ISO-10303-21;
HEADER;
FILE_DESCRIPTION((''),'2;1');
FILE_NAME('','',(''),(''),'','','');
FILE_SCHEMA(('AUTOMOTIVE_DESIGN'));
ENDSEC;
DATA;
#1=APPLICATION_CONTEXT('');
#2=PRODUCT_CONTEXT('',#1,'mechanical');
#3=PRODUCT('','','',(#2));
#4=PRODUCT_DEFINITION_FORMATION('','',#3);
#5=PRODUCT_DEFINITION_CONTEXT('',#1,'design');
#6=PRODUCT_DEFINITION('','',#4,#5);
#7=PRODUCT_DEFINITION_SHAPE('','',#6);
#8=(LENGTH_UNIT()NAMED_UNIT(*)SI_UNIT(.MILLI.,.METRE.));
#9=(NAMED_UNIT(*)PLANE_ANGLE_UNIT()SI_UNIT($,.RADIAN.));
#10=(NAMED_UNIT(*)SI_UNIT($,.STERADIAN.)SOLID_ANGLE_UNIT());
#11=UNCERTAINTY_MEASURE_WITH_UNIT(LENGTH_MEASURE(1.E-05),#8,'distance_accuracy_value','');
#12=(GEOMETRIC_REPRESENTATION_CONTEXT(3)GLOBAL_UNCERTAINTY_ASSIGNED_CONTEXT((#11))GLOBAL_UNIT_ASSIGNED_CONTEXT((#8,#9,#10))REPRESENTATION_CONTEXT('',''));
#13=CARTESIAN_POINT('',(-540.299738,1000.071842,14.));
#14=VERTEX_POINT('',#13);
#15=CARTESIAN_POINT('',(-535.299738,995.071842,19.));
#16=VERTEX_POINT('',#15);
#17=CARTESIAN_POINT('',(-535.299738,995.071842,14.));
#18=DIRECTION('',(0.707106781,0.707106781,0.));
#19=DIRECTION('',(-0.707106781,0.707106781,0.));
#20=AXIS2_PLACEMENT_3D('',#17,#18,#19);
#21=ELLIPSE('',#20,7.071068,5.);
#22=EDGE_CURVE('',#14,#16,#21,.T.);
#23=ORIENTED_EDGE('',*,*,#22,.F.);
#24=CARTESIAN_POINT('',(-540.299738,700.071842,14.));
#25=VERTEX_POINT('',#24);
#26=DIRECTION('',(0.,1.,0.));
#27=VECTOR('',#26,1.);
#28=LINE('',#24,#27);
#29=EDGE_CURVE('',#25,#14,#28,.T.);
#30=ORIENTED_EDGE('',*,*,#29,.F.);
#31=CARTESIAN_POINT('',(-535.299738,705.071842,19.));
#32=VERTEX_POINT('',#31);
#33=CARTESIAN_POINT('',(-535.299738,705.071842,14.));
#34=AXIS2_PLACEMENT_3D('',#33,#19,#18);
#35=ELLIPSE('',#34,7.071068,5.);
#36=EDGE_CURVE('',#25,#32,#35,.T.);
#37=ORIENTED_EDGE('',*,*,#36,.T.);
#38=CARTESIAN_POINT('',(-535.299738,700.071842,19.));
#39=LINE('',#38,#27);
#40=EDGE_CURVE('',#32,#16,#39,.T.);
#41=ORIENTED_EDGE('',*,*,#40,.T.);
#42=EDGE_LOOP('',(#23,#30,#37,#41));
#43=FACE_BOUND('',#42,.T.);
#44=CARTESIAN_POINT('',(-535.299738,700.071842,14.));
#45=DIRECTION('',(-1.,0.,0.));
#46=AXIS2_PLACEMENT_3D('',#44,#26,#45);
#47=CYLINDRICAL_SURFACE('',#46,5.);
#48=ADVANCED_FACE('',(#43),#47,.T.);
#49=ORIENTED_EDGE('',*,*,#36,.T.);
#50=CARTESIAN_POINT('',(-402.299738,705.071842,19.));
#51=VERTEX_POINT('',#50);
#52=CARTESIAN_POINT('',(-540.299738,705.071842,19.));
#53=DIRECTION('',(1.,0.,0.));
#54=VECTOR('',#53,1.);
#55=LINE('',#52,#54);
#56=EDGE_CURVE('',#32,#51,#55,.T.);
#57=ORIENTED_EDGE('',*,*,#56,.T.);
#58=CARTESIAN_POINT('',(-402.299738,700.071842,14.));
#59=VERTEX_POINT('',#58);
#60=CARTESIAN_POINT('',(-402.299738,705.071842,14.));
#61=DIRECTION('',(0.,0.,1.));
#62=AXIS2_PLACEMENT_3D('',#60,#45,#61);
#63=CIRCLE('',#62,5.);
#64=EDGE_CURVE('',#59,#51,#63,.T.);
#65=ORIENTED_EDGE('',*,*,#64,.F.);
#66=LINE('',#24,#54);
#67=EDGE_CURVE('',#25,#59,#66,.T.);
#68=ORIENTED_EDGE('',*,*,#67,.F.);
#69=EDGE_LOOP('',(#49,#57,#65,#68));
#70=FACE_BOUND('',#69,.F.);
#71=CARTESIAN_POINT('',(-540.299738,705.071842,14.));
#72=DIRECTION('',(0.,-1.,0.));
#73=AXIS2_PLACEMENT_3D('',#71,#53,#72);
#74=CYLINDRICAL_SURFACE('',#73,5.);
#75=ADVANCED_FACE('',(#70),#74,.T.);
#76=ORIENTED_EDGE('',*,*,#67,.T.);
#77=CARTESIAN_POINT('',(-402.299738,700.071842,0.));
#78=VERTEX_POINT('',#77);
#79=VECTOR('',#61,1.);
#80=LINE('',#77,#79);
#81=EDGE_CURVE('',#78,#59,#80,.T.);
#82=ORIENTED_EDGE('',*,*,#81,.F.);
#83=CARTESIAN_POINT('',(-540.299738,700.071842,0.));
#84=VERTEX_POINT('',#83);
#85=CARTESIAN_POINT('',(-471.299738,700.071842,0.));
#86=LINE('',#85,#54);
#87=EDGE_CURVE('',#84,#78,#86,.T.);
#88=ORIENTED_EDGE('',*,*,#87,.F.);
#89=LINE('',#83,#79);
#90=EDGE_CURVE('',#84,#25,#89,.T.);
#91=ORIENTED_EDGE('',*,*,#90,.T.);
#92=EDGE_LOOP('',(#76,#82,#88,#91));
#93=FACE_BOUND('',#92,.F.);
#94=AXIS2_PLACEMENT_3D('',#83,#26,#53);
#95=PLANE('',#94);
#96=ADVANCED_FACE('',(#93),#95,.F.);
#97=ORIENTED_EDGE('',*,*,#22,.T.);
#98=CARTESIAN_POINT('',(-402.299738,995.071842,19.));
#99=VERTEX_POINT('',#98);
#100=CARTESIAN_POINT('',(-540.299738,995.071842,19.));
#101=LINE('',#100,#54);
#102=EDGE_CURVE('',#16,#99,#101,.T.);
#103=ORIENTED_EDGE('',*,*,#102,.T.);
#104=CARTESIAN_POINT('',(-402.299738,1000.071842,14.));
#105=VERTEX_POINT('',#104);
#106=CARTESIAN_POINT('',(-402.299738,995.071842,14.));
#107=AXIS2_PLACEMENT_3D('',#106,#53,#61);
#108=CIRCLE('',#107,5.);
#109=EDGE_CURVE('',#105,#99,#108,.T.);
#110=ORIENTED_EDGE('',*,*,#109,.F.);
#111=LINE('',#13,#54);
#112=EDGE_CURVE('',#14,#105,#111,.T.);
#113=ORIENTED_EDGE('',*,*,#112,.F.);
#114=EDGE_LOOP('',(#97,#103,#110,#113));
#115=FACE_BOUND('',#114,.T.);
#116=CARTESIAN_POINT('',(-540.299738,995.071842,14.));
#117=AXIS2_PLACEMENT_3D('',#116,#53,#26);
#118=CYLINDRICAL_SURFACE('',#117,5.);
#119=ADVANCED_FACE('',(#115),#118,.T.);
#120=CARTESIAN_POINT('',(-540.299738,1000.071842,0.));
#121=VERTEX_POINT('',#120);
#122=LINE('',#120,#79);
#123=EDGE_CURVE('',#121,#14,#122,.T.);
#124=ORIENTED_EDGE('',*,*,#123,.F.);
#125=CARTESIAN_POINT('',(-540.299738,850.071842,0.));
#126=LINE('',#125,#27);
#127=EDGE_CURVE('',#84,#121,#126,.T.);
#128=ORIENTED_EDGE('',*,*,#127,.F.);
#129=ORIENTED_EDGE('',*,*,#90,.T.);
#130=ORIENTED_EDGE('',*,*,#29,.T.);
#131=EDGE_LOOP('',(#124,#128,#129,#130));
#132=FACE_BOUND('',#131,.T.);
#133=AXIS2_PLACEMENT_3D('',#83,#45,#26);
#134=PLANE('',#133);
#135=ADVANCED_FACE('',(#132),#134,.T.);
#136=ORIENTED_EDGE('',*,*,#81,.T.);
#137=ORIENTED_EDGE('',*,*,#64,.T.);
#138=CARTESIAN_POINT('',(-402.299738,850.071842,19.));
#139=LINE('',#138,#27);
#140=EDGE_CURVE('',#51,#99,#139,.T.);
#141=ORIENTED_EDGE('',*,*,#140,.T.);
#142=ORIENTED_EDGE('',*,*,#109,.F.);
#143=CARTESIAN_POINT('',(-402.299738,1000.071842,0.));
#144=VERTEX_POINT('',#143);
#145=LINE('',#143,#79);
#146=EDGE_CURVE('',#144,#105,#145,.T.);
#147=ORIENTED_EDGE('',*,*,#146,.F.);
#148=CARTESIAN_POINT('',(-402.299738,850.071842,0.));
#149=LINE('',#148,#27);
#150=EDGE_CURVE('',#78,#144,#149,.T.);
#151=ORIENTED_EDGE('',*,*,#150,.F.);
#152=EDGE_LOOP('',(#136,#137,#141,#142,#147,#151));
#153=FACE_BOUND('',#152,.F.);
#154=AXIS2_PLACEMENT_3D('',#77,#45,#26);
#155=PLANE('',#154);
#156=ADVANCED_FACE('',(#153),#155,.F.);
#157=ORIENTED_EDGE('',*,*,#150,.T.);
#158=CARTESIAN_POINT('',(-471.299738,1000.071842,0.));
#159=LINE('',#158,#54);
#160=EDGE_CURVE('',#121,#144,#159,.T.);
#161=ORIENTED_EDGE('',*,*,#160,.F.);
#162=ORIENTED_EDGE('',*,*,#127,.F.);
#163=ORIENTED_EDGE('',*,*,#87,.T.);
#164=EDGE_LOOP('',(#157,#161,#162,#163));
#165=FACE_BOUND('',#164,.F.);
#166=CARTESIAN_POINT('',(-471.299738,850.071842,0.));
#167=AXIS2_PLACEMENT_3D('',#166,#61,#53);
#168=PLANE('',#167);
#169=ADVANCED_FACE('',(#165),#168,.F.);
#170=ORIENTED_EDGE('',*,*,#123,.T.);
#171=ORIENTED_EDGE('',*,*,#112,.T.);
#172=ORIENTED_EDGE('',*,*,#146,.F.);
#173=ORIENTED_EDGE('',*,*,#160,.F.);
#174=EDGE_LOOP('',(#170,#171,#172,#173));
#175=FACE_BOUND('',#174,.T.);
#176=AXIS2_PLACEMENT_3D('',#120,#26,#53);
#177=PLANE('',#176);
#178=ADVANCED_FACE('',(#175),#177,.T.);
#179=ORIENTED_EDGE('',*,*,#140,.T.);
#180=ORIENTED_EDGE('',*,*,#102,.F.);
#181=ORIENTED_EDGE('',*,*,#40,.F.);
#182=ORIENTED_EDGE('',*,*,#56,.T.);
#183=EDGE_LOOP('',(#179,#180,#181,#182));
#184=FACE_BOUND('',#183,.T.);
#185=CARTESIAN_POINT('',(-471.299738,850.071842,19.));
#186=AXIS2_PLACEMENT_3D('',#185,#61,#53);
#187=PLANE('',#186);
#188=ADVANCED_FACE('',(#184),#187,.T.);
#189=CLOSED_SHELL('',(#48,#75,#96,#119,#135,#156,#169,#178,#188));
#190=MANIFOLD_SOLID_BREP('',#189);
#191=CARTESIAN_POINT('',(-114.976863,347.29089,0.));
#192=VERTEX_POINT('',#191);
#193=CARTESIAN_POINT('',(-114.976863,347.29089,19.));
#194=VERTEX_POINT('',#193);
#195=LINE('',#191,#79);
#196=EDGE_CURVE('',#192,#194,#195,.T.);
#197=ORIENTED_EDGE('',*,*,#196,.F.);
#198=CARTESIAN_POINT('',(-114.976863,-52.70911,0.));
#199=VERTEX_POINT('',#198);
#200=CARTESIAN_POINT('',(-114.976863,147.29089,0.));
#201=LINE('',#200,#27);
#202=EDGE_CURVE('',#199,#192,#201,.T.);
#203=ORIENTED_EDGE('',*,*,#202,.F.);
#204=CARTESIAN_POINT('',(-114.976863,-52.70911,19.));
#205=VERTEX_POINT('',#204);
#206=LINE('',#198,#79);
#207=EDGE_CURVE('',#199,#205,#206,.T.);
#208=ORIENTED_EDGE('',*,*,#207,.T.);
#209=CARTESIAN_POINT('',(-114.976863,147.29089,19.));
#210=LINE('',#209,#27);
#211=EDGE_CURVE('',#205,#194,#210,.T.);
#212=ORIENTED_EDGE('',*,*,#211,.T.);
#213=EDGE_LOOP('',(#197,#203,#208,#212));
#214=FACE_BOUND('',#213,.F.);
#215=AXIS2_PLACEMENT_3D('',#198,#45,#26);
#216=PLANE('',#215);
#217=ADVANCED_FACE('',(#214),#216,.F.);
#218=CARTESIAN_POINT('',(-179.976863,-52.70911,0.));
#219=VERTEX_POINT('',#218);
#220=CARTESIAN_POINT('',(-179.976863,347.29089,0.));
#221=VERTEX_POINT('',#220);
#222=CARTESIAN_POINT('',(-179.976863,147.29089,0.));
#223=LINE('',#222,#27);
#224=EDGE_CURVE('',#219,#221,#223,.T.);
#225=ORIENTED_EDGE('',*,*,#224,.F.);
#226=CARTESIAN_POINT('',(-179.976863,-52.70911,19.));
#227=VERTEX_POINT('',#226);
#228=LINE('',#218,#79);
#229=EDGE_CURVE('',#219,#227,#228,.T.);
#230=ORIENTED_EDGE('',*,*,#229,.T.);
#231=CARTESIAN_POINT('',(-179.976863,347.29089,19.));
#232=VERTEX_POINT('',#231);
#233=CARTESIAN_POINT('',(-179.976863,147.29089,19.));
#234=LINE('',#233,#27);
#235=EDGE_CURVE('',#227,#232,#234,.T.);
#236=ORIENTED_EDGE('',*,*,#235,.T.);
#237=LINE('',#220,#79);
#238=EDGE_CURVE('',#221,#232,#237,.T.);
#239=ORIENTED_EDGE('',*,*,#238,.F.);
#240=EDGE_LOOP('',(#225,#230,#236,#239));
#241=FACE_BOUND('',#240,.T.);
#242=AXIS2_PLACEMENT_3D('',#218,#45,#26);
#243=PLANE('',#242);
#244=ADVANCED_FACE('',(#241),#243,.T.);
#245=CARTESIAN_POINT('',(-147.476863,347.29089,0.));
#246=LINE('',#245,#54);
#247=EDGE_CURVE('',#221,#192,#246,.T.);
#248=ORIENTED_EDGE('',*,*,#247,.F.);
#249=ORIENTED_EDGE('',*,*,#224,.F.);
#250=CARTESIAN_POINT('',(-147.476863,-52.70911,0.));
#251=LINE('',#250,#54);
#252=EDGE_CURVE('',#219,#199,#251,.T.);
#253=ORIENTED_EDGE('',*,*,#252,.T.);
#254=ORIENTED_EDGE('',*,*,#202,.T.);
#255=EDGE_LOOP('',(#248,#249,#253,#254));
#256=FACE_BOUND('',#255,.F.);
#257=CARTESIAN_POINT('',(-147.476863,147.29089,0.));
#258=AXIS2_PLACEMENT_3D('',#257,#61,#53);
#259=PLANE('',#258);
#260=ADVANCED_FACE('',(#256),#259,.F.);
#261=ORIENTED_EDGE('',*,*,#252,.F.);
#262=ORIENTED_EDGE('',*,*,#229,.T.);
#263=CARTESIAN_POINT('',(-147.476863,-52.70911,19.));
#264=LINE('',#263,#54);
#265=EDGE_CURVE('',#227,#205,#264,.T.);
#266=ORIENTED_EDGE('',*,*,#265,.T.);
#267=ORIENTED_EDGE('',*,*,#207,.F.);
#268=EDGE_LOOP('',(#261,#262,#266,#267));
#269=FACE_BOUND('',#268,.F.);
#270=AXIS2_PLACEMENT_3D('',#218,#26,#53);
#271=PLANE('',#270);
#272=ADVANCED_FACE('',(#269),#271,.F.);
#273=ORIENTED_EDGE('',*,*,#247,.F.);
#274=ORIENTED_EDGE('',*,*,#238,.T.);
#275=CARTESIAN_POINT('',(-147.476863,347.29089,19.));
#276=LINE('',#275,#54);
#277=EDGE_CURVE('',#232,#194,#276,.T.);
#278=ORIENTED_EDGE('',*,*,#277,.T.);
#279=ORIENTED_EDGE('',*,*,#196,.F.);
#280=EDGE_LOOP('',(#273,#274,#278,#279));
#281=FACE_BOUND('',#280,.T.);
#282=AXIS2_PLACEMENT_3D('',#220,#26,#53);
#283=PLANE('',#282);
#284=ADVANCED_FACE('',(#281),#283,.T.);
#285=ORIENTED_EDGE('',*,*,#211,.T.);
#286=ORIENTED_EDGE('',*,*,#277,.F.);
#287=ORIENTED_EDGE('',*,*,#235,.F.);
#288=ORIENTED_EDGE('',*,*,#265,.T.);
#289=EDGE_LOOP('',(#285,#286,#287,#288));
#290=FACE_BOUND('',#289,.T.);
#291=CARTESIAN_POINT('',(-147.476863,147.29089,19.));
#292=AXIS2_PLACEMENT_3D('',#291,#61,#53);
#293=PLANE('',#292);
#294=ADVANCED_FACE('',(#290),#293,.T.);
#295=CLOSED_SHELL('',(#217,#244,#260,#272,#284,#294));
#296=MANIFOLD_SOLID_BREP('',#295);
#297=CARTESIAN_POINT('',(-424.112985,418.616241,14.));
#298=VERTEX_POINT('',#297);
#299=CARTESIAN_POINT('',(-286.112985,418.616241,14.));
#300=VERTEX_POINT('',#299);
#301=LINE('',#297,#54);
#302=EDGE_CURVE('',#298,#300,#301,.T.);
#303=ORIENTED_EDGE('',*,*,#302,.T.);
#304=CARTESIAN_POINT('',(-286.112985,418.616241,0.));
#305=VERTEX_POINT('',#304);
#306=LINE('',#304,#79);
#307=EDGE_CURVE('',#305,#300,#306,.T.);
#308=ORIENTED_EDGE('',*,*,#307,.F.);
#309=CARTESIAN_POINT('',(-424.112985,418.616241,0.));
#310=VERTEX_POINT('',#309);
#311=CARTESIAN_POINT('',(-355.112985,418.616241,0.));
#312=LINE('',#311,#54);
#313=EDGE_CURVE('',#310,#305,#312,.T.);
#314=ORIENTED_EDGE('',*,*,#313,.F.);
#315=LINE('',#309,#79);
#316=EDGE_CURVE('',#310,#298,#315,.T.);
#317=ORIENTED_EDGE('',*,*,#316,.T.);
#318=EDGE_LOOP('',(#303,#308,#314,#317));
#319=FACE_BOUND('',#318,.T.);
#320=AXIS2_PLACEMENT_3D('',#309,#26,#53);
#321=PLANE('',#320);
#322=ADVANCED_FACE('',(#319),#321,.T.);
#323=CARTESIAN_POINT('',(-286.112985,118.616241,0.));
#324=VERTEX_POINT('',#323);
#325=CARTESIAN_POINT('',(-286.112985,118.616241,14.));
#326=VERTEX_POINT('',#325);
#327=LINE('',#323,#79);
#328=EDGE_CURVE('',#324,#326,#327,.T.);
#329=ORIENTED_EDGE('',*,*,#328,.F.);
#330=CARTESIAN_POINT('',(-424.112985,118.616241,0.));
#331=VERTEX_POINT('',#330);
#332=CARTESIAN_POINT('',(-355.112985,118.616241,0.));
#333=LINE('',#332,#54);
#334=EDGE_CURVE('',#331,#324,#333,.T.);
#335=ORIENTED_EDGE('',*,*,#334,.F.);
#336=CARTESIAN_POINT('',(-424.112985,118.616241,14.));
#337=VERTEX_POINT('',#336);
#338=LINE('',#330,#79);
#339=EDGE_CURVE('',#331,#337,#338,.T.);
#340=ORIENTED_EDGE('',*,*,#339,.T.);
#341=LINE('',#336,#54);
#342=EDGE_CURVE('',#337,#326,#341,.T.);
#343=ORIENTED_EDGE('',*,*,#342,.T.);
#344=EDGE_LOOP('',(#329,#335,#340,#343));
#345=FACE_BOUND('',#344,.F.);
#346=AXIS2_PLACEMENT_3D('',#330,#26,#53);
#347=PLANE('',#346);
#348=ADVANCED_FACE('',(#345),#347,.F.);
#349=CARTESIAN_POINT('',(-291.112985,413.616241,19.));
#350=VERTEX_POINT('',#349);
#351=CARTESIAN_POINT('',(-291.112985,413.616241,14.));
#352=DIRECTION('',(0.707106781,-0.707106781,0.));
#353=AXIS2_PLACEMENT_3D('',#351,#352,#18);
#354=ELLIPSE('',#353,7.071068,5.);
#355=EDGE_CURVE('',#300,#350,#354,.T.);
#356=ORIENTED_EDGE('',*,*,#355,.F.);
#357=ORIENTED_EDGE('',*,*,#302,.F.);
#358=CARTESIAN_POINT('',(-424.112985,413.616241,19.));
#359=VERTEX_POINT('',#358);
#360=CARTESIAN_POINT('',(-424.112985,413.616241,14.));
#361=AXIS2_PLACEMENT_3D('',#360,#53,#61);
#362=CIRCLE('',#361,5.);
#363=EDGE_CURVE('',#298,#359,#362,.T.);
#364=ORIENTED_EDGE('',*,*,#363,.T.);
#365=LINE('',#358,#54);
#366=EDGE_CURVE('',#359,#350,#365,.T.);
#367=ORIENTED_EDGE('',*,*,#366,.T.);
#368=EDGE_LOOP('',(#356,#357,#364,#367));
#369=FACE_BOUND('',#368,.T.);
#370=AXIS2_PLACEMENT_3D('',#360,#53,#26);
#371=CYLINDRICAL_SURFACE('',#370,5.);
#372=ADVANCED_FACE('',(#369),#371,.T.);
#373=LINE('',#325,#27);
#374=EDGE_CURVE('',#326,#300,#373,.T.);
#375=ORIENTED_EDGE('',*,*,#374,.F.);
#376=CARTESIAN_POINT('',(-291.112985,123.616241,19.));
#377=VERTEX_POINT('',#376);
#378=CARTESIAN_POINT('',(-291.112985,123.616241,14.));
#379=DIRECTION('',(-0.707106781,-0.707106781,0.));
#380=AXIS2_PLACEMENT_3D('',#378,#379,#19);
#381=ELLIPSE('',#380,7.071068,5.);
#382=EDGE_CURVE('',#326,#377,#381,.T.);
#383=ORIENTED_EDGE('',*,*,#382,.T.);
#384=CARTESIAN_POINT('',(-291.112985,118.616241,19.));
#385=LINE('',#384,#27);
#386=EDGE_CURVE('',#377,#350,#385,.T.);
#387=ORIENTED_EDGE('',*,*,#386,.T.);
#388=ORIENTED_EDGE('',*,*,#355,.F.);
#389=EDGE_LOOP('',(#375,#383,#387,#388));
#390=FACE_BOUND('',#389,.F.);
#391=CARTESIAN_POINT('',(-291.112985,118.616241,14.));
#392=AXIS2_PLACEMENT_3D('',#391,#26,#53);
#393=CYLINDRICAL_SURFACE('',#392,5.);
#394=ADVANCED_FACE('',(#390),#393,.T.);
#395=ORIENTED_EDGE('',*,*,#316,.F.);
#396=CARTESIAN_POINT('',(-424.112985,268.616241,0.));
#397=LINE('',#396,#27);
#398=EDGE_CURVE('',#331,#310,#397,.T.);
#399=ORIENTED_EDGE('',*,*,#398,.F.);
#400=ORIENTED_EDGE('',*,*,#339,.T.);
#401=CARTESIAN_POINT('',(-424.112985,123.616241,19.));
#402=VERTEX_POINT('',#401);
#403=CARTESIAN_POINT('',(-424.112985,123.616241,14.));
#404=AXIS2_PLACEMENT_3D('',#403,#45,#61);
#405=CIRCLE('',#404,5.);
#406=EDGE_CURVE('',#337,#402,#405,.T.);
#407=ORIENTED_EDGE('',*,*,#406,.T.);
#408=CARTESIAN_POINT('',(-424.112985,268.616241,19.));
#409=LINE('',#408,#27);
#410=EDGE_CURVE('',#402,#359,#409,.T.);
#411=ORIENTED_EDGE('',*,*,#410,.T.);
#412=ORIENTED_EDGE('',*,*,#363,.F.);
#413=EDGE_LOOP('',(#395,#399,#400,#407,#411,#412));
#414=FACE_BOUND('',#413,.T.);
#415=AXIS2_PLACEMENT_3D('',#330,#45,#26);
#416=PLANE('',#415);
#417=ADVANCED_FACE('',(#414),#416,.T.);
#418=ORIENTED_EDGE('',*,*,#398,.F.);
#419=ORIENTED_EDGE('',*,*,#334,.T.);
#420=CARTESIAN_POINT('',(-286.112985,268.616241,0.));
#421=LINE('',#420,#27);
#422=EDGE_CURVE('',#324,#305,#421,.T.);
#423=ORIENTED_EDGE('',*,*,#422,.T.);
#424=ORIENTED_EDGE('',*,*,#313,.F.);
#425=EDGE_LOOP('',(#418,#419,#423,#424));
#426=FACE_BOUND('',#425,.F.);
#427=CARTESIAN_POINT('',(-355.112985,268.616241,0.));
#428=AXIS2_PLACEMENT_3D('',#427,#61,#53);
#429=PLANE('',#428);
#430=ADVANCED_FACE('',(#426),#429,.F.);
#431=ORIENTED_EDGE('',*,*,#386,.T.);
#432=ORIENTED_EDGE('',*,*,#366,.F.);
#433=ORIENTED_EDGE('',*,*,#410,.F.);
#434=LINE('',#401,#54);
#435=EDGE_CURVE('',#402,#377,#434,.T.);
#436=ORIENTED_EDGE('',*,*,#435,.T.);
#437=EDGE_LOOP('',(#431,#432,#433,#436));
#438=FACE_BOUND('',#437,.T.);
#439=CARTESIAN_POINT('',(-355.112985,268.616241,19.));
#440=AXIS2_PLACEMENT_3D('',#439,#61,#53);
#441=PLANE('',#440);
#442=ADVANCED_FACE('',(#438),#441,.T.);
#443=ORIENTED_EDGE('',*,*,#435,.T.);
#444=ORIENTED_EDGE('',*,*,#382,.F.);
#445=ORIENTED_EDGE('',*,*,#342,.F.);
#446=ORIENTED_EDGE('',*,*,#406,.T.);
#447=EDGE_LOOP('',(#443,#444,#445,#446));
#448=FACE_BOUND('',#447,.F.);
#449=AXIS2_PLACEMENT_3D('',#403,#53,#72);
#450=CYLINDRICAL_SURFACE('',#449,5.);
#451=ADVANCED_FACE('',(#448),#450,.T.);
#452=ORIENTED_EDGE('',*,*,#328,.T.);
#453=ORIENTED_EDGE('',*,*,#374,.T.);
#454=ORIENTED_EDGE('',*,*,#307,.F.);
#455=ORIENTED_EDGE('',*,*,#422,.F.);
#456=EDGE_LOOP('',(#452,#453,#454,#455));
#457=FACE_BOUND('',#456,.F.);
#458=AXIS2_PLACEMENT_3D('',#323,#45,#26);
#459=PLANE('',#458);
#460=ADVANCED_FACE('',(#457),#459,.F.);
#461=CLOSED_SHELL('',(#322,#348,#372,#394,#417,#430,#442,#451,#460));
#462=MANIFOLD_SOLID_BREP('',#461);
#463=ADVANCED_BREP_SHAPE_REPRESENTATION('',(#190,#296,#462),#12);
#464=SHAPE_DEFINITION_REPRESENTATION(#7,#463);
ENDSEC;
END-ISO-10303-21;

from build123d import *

# Parameters (mm, degrees)
F0_W     = 65
F0_H     = 400
F1_DEPTH = 19
F2_W     = 138
F2_H     = 300
F3_DEPTH = 19
F4_W     = 138
F4_H     = 300
F5_DEPTH = 19
F6_R     = 5
F6_2_R   = 5


with BuildPart() as f1:
    # F0 (on Top) → F1 (new body)
    with BuildSketch(Plane.XY):
        with Locations((-147.476863, 147.29089)):
            Rectangle(F0_W, F0_H)
    extrude(amount=F1_DEPTH)


with BuildPart() as f3:
    # F2 (on Top) → F3 (new body)
    with BuildSketch(Plane.XY):
        with Locations((-355.112985, 268.616241)):
            Rectangle(F2_W, F2_H)
    extrude(amount=F3_DEPTH)

    # F6#2
    f6_2_edges = [f3.edges().sort_by_distance(p)[0] for p in [
        (-355.112985, 418.616241, 19),
        (-286.112985, 268.616241, 19),
        (-355.112985, 118.616241, 19),
    ]]
    fillet(f6_2_edges, radius=F6_2_R)


with BuildPart() as f5:
    # F4 (on Top) → F5 (new body)
    with BuildSketch(Plane.XY):
        with Locations((-471.299738, 850.071842)):
            Rectangle(F4_W, F4_H)
    extrude(amount=F5_DEPTH)

    # F6
    f6_edges = [f5.edges().sort_by_distance(p)[0] for p in [
        (-540.299738, 850.071842, 19),
        (-471.299738, 700.071842, 19),
        (-471.299738, 1000.071842, 19),
    ]]
    fillet(f6_edges, radius=F6_R)


solid = Compound([f1.part, f3.part, f5.part])
